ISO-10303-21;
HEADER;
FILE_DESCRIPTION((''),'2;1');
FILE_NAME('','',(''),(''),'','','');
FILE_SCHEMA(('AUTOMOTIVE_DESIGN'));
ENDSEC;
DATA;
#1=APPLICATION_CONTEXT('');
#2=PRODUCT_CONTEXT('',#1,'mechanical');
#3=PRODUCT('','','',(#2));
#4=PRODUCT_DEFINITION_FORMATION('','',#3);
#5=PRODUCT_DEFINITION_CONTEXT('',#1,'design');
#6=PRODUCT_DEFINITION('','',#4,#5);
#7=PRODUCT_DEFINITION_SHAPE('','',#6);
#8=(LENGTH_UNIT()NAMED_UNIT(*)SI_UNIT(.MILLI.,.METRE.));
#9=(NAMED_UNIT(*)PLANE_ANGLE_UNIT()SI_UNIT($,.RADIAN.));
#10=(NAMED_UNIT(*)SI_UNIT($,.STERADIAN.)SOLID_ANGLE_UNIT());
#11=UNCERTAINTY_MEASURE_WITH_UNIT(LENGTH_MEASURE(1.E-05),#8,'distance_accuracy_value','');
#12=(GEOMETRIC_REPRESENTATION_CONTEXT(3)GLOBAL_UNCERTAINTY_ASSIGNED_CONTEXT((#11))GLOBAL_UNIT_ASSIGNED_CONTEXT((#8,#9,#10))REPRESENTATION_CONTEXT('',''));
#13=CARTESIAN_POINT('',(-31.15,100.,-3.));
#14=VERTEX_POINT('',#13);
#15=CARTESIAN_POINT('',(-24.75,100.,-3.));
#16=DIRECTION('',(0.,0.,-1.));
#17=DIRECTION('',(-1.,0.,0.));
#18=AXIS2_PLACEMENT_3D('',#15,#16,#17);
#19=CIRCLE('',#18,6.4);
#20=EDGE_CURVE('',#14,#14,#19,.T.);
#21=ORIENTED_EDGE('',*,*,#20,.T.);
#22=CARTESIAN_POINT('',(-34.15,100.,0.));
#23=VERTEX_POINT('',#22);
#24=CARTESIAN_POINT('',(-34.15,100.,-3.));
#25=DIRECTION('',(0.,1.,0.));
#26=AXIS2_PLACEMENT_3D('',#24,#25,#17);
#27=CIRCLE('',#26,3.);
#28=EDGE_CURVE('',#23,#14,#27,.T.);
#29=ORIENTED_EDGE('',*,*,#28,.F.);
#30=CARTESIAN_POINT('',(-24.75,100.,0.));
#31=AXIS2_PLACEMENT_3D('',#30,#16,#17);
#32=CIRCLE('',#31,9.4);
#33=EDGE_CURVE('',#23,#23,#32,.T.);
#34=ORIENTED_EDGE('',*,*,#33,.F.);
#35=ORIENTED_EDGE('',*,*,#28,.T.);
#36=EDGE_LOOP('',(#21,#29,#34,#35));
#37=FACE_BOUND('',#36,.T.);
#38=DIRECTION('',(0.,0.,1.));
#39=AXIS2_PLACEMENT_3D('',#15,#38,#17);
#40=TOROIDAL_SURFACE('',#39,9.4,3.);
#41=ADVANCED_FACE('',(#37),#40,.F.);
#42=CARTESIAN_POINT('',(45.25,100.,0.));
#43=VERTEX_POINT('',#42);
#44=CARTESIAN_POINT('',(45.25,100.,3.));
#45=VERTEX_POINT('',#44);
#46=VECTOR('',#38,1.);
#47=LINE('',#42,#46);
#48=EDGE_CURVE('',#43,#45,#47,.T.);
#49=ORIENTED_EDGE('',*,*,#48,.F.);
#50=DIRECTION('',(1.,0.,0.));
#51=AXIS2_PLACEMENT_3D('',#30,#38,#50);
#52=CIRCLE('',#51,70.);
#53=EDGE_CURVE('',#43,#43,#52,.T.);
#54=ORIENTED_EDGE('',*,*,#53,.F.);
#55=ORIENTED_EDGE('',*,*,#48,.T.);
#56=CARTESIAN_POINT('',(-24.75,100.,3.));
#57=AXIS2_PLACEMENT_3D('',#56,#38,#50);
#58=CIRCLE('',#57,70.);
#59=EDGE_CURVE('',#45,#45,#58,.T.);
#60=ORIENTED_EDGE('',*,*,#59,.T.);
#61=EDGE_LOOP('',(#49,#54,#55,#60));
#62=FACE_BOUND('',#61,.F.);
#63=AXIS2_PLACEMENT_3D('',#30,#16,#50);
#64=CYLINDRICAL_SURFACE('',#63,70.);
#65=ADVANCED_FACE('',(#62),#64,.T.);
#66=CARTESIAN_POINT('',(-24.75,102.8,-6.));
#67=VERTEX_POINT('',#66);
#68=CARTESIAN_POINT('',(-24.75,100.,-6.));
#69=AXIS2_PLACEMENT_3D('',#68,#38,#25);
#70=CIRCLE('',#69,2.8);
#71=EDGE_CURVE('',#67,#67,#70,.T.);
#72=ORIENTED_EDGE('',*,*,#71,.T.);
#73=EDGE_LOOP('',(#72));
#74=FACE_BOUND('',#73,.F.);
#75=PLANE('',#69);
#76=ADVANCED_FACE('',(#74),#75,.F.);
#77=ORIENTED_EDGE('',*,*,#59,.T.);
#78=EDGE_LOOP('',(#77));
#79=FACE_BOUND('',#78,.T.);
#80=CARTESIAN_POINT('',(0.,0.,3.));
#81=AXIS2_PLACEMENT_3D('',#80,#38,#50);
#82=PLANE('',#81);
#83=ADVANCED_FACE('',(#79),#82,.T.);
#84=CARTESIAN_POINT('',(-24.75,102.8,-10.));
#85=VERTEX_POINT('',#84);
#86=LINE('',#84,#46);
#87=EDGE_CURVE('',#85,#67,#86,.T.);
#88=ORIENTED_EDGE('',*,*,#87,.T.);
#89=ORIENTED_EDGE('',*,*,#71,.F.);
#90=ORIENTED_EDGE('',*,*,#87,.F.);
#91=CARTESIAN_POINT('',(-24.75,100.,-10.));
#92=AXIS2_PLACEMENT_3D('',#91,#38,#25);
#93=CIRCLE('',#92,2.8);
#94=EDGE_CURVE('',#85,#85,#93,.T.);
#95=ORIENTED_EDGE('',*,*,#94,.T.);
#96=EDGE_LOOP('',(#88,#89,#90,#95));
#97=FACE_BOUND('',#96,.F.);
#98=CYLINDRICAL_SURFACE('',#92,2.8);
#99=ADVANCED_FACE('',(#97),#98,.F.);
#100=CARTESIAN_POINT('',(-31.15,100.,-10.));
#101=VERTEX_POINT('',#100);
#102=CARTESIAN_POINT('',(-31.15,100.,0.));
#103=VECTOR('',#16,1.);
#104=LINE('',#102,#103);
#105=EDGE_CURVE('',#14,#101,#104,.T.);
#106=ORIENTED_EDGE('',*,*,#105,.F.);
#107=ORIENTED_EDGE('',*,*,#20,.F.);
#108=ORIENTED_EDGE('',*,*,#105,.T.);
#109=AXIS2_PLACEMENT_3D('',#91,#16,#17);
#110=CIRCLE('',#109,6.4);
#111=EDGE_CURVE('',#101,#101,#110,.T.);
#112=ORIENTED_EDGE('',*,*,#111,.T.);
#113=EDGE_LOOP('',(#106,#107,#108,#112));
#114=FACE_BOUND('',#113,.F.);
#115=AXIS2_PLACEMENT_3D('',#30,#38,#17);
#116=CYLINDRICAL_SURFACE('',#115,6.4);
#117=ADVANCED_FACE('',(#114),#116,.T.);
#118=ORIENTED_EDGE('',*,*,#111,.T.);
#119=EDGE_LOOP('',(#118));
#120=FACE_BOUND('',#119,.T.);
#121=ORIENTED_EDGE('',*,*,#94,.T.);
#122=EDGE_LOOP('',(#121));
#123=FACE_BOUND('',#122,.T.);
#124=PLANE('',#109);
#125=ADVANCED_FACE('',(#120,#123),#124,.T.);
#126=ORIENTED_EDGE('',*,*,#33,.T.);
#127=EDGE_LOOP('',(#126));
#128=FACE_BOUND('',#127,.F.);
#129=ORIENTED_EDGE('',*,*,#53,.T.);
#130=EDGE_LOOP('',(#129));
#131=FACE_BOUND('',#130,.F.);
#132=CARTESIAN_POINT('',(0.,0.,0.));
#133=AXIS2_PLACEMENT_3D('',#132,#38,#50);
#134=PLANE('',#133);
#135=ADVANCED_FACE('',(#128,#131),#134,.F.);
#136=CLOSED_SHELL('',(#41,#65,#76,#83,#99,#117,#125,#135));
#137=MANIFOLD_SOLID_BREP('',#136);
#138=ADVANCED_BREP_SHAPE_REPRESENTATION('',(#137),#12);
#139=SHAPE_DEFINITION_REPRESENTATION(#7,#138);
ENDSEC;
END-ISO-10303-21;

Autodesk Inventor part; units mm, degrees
ref_plane "YZ Plane" through (0, 0, 0) normal (1, 0, 0) x (0, 1, 0)
ref_plane "XZ Plane" through (0, 0, 0) normal (0, 1, 0) x (-1, 0, 0)
ref_plane "XY Plane" through (0, 0, 0) normal (0, 0, 1) x (1, 0, 0)
sketch "Boceto1" plane through (0, 0, 0) normal (0, 0, 1) x (1, 0, 0)
  circle A0 centre (-24.75, 100) radius 51.4081 projected
  circle A1 centre (-24.75, 100) radius 70
  point P0 (0, 0)
  dimension "d0" = 140
extrude "Extrusión1" add sketch "Boceto1" along normal blind 3 contours A0 | A1
sketch "Boceto2" plane through (-24.75, 100, 0) normal (0, 0, -1) x (-1, 0, 0)
  circle A0 centre (0, 0) radius 6.4
  point P0 (-24.75, -100)
  dimension "d3" = 12.8
extrude "Extrusión2" add sketch "Boceto2" along normal blind 10
sketch "Boceto3" plane through (-24.75, 100, -10) normal (0, 0, -1) x (-1, 0, 0)
  circle A0 centre (0, 0) radius 6.4 projected
  point P0 (-24.75, -100)
hole "Agujero1" at (-24.75, 100, -10) direction (0, 0, 1) diameter 5.6 depth 4
fillet "Empalme1" radius 3 1 edges at (-18.35, 100, 0)
properties part number "Base_Plato"
